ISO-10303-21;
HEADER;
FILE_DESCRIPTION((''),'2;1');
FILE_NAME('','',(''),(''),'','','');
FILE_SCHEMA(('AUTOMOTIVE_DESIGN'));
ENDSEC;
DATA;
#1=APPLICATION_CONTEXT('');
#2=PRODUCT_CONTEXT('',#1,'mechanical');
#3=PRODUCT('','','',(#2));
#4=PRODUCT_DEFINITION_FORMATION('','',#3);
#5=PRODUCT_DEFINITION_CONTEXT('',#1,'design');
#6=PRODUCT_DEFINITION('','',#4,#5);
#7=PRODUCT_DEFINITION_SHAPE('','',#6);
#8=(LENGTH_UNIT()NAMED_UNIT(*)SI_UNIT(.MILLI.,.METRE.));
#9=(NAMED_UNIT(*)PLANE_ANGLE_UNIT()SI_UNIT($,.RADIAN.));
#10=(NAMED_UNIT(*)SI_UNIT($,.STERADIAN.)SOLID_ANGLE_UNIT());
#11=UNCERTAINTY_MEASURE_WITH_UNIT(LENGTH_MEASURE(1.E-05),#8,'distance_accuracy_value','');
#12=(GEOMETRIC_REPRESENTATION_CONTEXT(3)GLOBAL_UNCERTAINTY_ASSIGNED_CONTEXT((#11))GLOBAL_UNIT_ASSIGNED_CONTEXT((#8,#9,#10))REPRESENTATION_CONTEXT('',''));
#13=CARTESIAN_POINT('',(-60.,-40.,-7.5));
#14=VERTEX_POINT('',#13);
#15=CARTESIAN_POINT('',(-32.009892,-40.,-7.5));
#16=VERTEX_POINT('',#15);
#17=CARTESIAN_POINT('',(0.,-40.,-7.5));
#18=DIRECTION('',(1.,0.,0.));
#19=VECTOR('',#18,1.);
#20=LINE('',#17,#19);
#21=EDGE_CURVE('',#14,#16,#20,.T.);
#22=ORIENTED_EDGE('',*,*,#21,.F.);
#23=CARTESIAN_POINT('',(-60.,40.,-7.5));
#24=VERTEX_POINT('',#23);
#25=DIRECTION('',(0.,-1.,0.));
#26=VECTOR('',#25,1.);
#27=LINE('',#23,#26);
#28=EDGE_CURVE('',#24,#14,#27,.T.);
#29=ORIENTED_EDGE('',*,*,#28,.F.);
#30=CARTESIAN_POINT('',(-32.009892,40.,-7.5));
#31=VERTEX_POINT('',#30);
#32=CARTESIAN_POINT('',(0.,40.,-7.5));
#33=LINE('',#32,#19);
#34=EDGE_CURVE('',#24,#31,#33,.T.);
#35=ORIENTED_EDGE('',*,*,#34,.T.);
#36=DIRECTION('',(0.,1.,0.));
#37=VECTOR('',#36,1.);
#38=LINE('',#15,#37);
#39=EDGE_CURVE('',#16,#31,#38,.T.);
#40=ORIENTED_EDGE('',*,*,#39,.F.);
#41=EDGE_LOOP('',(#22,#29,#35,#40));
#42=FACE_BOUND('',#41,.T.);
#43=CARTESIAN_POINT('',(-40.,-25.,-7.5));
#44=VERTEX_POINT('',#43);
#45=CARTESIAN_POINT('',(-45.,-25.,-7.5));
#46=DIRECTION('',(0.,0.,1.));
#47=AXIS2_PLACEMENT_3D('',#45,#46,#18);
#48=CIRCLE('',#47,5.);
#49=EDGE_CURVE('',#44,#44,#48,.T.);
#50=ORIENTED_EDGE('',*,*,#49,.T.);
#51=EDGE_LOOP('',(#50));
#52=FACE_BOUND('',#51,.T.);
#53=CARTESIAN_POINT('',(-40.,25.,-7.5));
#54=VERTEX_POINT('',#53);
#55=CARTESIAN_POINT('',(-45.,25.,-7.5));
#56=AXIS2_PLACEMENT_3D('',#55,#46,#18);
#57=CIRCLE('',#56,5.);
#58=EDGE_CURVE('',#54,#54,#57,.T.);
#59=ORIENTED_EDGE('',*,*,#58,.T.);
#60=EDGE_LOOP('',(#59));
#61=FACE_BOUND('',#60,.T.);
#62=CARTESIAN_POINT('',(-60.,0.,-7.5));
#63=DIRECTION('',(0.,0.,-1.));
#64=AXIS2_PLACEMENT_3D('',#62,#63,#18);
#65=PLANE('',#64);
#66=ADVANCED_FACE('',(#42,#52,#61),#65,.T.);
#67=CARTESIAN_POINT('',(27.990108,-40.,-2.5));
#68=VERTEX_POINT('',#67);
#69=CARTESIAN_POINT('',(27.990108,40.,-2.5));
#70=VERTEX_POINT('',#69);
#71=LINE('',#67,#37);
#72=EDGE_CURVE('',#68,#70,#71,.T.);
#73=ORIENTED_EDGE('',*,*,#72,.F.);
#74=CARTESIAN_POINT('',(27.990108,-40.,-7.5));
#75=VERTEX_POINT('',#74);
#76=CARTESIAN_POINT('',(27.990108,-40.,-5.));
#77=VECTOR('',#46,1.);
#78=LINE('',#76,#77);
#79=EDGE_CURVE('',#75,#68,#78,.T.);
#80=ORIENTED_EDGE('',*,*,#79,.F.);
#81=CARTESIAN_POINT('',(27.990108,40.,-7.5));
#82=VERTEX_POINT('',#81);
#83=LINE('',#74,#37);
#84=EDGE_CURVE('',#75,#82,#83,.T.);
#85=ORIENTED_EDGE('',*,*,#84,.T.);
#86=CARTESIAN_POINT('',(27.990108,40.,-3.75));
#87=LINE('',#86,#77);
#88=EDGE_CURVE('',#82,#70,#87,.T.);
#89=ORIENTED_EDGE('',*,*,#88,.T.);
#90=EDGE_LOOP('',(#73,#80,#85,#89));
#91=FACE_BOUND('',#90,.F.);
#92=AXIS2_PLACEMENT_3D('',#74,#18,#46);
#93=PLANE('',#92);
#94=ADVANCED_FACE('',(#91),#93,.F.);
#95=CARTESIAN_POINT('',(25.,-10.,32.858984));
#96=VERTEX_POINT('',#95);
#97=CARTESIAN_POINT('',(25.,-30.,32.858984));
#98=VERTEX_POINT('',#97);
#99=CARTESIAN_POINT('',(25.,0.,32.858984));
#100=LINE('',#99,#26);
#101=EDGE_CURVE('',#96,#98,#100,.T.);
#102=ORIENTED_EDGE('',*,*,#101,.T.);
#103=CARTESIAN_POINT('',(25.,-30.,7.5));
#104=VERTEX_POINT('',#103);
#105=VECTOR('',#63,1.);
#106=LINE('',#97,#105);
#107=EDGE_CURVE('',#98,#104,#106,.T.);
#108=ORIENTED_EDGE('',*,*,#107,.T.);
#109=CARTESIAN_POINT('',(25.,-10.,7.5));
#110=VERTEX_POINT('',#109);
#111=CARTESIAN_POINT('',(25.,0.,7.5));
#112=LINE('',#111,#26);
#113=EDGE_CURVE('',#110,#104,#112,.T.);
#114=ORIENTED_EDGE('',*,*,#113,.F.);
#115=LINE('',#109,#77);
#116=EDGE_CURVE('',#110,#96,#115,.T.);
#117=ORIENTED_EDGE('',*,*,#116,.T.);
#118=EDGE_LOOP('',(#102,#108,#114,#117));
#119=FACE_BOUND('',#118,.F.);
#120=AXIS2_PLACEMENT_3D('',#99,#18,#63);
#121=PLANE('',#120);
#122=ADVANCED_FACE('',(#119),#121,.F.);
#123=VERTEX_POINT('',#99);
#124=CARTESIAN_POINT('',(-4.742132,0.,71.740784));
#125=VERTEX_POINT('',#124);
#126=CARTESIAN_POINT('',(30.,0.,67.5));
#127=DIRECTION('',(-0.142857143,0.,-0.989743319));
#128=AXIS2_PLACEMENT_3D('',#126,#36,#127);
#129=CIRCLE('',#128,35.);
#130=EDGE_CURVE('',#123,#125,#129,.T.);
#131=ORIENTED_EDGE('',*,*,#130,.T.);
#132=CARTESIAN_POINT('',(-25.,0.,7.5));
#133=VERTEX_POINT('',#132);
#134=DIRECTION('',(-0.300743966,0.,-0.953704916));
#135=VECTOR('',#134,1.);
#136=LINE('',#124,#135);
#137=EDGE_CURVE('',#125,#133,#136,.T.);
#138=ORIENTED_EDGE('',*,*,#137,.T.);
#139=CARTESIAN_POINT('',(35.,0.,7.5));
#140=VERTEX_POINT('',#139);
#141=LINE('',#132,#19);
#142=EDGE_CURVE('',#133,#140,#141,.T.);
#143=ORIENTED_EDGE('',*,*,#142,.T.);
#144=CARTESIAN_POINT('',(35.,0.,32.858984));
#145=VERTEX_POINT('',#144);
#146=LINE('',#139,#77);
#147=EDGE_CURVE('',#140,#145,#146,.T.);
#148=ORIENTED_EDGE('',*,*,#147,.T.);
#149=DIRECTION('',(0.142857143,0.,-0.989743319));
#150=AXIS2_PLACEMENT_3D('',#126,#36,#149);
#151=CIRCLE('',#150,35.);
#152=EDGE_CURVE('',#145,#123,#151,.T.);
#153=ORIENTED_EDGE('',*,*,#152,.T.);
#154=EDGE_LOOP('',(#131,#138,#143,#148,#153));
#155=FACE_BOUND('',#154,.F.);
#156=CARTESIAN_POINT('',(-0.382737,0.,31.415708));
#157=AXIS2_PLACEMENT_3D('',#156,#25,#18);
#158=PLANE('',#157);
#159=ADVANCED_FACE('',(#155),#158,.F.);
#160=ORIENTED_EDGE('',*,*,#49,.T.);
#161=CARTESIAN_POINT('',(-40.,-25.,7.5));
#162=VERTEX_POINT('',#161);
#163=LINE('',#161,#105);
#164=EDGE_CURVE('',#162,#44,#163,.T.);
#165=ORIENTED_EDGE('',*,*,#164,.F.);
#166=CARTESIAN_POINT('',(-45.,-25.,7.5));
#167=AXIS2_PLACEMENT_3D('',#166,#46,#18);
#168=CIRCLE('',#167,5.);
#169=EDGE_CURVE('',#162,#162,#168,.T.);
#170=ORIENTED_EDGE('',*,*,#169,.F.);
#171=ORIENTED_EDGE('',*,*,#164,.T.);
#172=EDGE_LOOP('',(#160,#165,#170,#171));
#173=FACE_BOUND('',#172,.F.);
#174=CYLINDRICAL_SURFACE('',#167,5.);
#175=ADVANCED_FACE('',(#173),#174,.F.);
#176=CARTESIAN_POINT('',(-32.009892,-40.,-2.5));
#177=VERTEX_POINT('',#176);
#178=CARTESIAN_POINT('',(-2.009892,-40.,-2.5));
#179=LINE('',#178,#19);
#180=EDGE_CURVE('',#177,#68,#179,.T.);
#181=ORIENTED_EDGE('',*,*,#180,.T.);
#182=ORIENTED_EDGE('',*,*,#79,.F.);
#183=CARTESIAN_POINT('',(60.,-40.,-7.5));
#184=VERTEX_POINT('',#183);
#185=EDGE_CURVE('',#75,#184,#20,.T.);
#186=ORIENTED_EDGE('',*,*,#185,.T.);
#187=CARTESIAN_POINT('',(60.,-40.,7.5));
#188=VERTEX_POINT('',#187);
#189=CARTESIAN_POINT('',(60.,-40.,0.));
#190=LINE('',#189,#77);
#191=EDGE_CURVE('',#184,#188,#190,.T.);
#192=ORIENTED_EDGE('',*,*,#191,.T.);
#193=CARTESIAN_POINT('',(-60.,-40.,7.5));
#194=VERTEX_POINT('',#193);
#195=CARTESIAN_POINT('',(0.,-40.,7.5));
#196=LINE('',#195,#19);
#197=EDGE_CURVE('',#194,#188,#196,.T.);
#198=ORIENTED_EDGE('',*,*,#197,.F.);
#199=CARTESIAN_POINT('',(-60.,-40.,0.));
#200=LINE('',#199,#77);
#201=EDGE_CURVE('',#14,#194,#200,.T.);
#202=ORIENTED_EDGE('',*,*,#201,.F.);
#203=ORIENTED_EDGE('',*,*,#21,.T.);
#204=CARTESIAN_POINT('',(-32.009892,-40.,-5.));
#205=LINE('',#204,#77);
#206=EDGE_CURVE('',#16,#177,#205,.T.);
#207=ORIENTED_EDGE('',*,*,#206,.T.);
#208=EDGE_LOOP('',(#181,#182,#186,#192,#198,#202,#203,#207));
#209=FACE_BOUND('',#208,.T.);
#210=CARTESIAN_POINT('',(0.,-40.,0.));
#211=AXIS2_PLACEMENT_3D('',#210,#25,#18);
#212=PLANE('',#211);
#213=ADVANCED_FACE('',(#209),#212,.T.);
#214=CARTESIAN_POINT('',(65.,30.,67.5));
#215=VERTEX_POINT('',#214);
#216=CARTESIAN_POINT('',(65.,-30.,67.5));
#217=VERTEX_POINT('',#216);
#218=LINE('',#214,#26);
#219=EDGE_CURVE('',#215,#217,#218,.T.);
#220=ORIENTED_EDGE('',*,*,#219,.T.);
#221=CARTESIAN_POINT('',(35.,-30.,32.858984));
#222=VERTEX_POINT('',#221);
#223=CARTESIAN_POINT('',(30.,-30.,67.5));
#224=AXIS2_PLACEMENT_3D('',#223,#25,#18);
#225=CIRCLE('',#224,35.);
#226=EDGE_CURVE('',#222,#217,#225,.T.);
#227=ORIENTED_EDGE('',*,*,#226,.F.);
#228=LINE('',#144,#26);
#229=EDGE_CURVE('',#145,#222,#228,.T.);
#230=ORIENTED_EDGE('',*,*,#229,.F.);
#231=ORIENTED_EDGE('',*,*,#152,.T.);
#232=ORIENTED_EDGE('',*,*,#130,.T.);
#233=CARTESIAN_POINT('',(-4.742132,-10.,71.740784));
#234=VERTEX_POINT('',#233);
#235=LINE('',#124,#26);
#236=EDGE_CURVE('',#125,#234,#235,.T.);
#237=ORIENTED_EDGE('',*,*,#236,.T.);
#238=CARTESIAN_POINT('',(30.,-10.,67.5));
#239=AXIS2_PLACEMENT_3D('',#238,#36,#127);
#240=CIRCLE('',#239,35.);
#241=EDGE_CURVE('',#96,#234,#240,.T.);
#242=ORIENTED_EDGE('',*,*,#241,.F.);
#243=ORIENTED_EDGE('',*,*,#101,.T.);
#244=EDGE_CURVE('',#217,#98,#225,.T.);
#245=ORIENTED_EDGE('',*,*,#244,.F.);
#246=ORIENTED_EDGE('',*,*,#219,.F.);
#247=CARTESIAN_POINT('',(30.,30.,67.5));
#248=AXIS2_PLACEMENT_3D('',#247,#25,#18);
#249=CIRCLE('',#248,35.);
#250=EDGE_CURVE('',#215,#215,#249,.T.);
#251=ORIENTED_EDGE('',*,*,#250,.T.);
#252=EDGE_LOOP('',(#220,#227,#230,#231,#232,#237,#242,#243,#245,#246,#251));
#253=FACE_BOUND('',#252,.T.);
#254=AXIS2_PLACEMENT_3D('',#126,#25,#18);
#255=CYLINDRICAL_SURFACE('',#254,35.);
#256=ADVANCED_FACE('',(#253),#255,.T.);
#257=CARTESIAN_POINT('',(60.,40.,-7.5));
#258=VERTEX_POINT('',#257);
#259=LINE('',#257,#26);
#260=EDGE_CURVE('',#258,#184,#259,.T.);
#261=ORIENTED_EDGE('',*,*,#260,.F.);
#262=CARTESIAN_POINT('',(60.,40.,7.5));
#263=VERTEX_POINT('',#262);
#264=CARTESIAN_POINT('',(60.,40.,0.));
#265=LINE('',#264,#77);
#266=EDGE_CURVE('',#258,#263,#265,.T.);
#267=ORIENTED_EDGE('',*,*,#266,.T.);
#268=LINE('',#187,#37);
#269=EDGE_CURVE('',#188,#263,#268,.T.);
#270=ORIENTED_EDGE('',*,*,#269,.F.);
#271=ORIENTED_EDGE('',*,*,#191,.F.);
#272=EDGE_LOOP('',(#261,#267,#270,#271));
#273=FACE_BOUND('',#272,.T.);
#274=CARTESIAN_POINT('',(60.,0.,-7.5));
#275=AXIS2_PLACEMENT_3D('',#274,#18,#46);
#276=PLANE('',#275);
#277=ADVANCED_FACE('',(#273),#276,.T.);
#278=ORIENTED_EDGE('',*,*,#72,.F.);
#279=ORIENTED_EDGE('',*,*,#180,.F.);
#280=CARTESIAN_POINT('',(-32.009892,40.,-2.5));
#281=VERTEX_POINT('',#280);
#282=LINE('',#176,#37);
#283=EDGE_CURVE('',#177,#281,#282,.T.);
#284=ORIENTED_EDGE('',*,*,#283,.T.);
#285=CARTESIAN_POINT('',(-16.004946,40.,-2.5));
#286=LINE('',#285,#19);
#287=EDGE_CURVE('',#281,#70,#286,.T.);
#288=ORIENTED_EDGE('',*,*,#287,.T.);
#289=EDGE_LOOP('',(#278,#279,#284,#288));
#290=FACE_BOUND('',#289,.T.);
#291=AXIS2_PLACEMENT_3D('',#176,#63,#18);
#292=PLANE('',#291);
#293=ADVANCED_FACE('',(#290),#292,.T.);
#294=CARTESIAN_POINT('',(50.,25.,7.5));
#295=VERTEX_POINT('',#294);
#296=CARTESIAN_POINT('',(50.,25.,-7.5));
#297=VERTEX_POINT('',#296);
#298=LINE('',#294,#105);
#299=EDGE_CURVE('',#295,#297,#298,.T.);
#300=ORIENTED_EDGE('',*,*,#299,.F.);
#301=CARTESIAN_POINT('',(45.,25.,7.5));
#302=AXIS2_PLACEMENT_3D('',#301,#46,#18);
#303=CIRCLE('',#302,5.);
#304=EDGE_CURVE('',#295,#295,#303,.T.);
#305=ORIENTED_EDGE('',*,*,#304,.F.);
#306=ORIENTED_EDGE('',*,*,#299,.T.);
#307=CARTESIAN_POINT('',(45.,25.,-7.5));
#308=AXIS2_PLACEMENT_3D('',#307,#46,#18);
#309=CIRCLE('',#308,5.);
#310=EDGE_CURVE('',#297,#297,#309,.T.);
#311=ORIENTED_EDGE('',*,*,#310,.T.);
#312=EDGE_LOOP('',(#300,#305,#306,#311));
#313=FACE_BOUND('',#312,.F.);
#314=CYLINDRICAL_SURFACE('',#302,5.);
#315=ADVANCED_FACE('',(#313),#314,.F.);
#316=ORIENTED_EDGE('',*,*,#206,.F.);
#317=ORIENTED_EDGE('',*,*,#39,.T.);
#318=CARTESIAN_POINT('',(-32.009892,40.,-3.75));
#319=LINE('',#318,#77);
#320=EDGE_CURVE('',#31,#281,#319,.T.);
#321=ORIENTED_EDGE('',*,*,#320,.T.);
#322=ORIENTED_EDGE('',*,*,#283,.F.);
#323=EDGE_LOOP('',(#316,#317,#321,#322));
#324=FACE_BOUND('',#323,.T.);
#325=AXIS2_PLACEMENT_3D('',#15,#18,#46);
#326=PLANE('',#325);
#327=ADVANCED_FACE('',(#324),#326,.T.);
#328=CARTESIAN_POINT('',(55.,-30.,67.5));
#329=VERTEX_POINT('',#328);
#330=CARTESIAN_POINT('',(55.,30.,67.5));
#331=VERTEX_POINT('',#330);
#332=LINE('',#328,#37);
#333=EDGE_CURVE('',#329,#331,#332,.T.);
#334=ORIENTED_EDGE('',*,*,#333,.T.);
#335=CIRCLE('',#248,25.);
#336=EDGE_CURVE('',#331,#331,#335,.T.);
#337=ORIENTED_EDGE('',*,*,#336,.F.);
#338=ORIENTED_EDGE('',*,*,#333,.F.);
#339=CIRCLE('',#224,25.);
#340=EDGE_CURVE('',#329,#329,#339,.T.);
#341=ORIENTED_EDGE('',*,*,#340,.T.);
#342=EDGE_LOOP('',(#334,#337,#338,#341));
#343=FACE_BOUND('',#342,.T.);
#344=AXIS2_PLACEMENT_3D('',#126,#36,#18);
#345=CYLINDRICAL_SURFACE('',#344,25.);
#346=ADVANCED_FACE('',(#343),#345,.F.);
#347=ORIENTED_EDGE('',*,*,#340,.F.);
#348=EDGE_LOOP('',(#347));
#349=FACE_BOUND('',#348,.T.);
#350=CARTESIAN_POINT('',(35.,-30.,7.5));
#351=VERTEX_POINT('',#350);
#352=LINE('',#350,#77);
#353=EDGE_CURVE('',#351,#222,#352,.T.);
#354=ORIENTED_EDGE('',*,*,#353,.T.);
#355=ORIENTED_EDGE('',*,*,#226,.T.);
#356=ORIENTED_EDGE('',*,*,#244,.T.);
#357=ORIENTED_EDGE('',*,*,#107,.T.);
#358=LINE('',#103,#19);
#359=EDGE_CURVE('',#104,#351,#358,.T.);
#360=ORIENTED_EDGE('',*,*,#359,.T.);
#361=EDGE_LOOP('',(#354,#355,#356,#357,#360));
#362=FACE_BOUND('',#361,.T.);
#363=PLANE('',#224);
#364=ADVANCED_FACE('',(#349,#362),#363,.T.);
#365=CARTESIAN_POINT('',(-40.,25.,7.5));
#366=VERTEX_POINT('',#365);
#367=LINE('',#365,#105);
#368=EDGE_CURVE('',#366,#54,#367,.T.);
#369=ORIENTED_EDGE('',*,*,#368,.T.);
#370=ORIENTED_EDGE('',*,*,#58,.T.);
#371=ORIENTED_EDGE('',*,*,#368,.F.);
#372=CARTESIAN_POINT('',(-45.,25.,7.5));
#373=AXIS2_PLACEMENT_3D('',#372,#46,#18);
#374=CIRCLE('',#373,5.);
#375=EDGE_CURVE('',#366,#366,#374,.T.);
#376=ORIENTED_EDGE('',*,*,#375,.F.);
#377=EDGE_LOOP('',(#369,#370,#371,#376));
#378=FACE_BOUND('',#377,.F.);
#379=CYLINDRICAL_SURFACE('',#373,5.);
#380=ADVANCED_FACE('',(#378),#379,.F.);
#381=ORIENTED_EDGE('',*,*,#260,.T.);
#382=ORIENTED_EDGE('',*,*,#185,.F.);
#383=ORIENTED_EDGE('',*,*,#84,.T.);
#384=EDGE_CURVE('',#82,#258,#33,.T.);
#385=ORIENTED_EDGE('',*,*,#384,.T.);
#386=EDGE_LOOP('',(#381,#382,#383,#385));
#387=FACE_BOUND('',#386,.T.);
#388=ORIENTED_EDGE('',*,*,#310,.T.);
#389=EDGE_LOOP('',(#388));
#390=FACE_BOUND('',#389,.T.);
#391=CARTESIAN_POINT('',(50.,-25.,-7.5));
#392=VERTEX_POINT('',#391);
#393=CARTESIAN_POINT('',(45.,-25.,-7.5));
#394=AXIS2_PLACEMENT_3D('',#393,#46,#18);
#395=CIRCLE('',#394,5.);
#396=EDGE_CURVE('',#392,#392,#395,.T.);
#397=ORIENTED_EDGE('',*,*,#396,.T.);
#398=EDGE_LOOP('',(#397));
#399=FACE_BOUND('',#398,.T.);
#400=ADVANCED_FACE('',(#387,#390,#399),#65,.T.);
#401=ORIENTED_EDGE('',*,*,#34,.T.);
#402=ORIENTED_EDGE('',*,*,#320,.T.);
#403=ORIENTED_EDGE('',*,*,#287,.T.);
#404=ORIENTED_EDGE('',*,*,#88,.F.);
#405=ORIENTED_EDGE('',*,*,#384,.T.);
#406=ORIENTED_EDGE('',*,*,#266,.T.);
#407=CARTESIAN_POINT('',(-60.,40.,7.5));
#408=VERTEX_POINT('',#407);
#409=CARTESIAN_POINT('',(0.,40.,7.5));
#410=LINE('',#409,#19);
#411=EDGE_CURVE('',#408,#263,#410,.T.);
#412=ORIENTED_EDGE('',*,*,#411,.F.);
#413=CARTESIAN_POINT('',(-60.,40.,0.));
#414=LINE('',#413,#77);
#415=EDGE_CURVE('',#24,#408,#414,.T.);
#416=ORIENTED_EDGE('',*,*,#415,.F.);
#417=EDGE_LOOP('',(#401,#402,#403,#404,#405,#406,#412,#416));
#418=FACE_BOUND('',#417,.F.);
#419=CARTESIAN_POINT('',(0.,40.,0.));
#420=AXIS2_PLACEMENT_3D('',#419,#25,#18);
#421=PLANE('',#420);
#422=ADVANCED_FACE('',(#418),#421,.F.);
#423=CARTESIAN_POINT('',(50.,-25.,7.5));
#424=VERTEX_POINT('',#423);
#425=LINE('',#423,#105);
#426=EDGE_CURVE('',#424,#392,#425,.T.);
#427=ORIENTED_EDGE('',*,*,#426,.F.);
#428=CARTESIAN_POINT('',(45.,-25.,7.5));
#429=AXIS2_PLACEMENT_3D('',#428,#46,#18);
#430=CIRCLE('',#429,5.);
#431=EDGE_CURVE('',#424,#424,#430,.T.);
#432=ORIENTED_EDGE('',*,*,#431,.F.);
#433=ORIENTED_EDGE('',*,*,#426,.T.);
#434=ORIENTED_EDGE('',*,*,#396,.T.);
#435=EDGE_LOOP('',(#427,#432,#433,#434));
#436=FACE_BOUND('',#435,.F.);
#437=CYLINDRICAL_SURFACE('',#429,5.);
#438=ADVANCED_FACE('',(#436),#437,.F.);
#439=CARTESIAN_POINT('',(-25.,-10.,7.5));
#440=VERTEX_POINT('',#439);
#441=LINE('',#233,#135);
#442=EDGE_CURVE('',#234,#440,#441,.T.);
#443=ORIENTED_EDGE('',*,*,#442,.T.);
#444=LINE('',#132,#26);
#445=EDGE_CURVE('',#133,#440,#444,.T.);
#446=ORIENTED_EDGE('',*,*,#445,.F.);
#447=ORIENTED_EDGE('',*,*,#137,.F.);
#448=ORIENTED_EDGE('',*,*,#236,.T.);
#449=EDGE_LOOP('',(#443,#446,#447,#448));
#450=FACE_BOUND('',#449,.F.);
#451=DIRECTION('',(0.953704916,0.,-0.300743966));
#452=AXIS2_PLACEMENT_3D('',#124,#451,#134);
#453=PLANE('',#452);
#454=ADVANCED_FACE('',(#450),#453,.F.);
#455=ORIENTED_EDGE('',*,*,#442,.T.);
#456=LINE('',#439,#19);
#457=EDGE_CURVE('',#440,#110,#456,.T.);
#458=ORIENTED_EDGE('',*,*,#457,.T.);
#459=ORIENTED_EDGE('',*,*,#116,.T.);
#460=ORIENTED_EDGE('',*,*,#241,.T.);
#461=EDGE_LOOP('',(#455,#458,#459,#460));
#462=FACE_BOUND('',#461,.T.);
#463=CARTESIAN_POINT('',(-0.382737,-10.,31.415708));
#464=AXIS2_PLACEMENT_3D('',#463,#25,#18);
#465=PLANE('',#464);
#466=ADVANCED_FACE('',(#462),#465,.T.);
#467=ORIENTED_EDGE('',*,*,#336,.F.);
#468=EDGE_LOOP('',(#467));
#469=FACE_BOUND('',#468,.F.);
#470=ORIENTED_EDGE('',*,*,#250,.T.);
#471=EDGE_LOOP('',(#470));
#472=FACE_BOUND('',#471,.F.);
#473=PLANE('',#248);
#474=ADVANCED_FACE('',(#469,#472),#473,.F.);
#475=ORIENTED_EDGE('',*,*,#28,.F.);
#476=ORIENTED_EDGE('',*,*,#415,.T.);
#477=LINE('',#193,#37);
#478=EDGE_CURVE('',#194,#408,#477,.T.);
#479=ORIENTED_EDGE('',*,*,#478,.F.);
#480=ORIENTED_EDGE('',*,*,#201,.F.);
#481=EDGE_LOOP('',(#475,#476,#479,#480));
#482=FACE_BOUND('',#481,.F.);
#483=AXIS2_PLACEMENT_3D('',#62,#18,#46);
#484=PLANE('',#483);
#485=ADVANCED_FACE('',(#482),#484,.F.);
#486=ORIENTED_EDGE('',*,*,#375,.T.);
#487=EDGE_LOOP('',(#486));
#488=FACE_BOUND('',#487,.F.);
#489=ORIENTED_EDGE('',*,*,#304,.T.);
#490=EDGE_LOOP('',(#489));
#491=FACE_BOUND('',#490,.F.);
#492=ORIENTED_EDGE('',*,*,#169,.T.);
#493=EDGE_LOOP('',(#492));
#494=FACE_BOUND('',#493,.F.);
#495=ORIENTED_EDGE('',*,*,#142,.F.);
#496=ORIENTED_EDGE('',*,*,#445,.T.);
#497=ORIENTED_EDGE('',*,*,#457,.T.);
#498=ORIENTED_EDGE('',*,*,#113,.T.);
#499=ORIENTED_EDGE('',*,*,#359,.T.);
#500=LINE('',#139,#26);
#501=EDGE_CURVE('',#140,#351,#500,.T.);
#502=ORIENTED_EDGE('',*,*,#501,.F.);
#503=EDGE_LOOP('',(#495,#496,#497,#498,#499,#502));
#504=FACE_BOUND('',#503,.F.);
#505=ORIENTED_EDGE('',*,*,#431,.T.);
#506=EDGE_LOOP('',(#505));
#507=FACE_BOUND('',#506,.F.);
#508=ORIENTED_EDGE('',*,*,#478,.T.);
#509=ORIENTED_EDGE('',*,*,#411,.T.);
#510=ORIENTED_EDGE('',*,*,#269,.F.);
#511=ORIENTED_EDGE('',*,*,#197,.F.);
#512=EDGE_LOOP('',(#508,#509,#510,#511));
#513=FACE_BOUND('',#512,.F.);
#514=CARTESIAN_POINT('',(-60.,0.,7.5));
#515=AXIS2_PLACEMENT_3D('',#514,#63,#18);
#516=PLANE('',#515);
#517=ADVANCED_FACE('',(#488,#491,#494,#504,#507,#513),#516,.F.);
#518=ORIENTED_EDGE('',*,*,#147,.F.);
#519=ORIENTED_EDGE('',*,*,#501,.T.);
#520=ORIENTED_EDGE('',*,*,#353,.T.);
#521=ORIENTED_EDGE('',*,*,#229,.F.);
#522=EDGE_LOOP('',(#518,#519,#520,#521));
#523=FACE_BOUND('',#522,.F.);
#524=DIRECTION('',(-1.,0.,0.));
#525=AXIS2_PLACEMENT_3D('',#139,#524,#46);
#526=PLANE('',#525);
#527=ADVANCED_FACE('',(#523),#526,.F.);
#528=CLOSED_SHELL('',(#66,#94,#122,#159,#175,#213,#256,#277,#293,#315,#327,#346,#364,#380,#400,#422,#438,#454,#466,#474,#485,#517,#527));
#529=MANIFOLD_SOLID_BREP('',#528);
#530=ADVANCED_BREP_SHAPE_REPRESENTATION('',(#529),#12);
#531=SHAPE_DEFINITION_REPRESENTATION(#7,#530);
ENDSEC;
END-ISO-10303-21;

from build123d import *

# Parameters (mm, degrees)
F0_W      = 120
F0_H      = 15
F1_DEPTH  = 40
F2_W      = 60
F2_H      = 5
F3_DEPTH  = 80.001
F4_R      = 5
F5_DEPTH  = 15.001
F6_R      = 35
F6_R_2    = 25
F7_DEPTH  = 30
F9_DEPTH  = 30
F11_DEPTH = 10


with BuildPart() as f1:
    # F0 (on Front) → F1 (new body, symmetric)
    with BuildSketch(Plane.XZ):
        Rectangle(F0_W, F0_H)
    extrude(amount=F1_DEPTH, both=True)

    # F2 (on face) → F3 (cut, through all)
    with BuildSketch(Plane.XZ.offset(40)):
        with Locations((-2.0098921657, -5)):
            Rectangle(F2_W, F2_H)
    extrude(amount=-F3_DEPTH, mode=Mode.SUBTRACT)

    # F4 (on face) → F5 (cut, through all)
    with BuildSketch(Plane.XY.offset(7.5)):
        with Locations((-45, 25)):
            Circle(F4_R)
        with Locations((-45, -25)):
            Circle(F4_R)
        with Locations((45, -25)):
            Circle(F4_R)
        with Locations((45, 25)):
            Circle(F4_R)
    extrude(amount=-F5_DEPTH, mode=Mode.SUBTRACT)



with BuildPart() as f7:
    # F6 (on Front) → F7 (new body, symmetric)
    with BuildSketch(Plane.XZ):
        with Locations((30, 67.5)):
            Circle(F6_R)
        with Locations((30, 67.5)):
            Circle(F6_R_2, mode=Mode.SUBTRACT)
    extrude(amount=F7_DEPTH, both=True)


with BuildPart() as f1_1:
    add(f1.part)

    add(f7.part)  # F9 merges F7
    # F8 (on Front) → F9 (join)
    with BuildSketch(Plane.XZ):
        with BuildLine():
            ThreePointArc((35, 32.8589838486), (30, 32.5), (25, 32.8589838486))
            Line((25, 32.8589838486), (25, 7.5))
            Line((25, 7.5), (35, 7.5))
            Line((35, 7.5), (35, 32.8589838486))
        make_face()
    extrude(amount=F9_DEPTH)

    # F10 (on Front) → F11 (join)
    with BuildSketch(Plane.XZ):
        with BuildLine():
            ThreePointArc((25, 32.8589838486), (2.2005780667, 46.2351900979), (-4.7421322486, 71.740783751))
            Line((-4.7421322486, 71.740783751), (-25, 7.5))
            Line((-25, 7.5), (25, 7.5))
            Line((25, 7.5), (25, 32.8589838486))
        make_face()
    extrude(amount=F11_DEPTH)


solid = f1_1.part
